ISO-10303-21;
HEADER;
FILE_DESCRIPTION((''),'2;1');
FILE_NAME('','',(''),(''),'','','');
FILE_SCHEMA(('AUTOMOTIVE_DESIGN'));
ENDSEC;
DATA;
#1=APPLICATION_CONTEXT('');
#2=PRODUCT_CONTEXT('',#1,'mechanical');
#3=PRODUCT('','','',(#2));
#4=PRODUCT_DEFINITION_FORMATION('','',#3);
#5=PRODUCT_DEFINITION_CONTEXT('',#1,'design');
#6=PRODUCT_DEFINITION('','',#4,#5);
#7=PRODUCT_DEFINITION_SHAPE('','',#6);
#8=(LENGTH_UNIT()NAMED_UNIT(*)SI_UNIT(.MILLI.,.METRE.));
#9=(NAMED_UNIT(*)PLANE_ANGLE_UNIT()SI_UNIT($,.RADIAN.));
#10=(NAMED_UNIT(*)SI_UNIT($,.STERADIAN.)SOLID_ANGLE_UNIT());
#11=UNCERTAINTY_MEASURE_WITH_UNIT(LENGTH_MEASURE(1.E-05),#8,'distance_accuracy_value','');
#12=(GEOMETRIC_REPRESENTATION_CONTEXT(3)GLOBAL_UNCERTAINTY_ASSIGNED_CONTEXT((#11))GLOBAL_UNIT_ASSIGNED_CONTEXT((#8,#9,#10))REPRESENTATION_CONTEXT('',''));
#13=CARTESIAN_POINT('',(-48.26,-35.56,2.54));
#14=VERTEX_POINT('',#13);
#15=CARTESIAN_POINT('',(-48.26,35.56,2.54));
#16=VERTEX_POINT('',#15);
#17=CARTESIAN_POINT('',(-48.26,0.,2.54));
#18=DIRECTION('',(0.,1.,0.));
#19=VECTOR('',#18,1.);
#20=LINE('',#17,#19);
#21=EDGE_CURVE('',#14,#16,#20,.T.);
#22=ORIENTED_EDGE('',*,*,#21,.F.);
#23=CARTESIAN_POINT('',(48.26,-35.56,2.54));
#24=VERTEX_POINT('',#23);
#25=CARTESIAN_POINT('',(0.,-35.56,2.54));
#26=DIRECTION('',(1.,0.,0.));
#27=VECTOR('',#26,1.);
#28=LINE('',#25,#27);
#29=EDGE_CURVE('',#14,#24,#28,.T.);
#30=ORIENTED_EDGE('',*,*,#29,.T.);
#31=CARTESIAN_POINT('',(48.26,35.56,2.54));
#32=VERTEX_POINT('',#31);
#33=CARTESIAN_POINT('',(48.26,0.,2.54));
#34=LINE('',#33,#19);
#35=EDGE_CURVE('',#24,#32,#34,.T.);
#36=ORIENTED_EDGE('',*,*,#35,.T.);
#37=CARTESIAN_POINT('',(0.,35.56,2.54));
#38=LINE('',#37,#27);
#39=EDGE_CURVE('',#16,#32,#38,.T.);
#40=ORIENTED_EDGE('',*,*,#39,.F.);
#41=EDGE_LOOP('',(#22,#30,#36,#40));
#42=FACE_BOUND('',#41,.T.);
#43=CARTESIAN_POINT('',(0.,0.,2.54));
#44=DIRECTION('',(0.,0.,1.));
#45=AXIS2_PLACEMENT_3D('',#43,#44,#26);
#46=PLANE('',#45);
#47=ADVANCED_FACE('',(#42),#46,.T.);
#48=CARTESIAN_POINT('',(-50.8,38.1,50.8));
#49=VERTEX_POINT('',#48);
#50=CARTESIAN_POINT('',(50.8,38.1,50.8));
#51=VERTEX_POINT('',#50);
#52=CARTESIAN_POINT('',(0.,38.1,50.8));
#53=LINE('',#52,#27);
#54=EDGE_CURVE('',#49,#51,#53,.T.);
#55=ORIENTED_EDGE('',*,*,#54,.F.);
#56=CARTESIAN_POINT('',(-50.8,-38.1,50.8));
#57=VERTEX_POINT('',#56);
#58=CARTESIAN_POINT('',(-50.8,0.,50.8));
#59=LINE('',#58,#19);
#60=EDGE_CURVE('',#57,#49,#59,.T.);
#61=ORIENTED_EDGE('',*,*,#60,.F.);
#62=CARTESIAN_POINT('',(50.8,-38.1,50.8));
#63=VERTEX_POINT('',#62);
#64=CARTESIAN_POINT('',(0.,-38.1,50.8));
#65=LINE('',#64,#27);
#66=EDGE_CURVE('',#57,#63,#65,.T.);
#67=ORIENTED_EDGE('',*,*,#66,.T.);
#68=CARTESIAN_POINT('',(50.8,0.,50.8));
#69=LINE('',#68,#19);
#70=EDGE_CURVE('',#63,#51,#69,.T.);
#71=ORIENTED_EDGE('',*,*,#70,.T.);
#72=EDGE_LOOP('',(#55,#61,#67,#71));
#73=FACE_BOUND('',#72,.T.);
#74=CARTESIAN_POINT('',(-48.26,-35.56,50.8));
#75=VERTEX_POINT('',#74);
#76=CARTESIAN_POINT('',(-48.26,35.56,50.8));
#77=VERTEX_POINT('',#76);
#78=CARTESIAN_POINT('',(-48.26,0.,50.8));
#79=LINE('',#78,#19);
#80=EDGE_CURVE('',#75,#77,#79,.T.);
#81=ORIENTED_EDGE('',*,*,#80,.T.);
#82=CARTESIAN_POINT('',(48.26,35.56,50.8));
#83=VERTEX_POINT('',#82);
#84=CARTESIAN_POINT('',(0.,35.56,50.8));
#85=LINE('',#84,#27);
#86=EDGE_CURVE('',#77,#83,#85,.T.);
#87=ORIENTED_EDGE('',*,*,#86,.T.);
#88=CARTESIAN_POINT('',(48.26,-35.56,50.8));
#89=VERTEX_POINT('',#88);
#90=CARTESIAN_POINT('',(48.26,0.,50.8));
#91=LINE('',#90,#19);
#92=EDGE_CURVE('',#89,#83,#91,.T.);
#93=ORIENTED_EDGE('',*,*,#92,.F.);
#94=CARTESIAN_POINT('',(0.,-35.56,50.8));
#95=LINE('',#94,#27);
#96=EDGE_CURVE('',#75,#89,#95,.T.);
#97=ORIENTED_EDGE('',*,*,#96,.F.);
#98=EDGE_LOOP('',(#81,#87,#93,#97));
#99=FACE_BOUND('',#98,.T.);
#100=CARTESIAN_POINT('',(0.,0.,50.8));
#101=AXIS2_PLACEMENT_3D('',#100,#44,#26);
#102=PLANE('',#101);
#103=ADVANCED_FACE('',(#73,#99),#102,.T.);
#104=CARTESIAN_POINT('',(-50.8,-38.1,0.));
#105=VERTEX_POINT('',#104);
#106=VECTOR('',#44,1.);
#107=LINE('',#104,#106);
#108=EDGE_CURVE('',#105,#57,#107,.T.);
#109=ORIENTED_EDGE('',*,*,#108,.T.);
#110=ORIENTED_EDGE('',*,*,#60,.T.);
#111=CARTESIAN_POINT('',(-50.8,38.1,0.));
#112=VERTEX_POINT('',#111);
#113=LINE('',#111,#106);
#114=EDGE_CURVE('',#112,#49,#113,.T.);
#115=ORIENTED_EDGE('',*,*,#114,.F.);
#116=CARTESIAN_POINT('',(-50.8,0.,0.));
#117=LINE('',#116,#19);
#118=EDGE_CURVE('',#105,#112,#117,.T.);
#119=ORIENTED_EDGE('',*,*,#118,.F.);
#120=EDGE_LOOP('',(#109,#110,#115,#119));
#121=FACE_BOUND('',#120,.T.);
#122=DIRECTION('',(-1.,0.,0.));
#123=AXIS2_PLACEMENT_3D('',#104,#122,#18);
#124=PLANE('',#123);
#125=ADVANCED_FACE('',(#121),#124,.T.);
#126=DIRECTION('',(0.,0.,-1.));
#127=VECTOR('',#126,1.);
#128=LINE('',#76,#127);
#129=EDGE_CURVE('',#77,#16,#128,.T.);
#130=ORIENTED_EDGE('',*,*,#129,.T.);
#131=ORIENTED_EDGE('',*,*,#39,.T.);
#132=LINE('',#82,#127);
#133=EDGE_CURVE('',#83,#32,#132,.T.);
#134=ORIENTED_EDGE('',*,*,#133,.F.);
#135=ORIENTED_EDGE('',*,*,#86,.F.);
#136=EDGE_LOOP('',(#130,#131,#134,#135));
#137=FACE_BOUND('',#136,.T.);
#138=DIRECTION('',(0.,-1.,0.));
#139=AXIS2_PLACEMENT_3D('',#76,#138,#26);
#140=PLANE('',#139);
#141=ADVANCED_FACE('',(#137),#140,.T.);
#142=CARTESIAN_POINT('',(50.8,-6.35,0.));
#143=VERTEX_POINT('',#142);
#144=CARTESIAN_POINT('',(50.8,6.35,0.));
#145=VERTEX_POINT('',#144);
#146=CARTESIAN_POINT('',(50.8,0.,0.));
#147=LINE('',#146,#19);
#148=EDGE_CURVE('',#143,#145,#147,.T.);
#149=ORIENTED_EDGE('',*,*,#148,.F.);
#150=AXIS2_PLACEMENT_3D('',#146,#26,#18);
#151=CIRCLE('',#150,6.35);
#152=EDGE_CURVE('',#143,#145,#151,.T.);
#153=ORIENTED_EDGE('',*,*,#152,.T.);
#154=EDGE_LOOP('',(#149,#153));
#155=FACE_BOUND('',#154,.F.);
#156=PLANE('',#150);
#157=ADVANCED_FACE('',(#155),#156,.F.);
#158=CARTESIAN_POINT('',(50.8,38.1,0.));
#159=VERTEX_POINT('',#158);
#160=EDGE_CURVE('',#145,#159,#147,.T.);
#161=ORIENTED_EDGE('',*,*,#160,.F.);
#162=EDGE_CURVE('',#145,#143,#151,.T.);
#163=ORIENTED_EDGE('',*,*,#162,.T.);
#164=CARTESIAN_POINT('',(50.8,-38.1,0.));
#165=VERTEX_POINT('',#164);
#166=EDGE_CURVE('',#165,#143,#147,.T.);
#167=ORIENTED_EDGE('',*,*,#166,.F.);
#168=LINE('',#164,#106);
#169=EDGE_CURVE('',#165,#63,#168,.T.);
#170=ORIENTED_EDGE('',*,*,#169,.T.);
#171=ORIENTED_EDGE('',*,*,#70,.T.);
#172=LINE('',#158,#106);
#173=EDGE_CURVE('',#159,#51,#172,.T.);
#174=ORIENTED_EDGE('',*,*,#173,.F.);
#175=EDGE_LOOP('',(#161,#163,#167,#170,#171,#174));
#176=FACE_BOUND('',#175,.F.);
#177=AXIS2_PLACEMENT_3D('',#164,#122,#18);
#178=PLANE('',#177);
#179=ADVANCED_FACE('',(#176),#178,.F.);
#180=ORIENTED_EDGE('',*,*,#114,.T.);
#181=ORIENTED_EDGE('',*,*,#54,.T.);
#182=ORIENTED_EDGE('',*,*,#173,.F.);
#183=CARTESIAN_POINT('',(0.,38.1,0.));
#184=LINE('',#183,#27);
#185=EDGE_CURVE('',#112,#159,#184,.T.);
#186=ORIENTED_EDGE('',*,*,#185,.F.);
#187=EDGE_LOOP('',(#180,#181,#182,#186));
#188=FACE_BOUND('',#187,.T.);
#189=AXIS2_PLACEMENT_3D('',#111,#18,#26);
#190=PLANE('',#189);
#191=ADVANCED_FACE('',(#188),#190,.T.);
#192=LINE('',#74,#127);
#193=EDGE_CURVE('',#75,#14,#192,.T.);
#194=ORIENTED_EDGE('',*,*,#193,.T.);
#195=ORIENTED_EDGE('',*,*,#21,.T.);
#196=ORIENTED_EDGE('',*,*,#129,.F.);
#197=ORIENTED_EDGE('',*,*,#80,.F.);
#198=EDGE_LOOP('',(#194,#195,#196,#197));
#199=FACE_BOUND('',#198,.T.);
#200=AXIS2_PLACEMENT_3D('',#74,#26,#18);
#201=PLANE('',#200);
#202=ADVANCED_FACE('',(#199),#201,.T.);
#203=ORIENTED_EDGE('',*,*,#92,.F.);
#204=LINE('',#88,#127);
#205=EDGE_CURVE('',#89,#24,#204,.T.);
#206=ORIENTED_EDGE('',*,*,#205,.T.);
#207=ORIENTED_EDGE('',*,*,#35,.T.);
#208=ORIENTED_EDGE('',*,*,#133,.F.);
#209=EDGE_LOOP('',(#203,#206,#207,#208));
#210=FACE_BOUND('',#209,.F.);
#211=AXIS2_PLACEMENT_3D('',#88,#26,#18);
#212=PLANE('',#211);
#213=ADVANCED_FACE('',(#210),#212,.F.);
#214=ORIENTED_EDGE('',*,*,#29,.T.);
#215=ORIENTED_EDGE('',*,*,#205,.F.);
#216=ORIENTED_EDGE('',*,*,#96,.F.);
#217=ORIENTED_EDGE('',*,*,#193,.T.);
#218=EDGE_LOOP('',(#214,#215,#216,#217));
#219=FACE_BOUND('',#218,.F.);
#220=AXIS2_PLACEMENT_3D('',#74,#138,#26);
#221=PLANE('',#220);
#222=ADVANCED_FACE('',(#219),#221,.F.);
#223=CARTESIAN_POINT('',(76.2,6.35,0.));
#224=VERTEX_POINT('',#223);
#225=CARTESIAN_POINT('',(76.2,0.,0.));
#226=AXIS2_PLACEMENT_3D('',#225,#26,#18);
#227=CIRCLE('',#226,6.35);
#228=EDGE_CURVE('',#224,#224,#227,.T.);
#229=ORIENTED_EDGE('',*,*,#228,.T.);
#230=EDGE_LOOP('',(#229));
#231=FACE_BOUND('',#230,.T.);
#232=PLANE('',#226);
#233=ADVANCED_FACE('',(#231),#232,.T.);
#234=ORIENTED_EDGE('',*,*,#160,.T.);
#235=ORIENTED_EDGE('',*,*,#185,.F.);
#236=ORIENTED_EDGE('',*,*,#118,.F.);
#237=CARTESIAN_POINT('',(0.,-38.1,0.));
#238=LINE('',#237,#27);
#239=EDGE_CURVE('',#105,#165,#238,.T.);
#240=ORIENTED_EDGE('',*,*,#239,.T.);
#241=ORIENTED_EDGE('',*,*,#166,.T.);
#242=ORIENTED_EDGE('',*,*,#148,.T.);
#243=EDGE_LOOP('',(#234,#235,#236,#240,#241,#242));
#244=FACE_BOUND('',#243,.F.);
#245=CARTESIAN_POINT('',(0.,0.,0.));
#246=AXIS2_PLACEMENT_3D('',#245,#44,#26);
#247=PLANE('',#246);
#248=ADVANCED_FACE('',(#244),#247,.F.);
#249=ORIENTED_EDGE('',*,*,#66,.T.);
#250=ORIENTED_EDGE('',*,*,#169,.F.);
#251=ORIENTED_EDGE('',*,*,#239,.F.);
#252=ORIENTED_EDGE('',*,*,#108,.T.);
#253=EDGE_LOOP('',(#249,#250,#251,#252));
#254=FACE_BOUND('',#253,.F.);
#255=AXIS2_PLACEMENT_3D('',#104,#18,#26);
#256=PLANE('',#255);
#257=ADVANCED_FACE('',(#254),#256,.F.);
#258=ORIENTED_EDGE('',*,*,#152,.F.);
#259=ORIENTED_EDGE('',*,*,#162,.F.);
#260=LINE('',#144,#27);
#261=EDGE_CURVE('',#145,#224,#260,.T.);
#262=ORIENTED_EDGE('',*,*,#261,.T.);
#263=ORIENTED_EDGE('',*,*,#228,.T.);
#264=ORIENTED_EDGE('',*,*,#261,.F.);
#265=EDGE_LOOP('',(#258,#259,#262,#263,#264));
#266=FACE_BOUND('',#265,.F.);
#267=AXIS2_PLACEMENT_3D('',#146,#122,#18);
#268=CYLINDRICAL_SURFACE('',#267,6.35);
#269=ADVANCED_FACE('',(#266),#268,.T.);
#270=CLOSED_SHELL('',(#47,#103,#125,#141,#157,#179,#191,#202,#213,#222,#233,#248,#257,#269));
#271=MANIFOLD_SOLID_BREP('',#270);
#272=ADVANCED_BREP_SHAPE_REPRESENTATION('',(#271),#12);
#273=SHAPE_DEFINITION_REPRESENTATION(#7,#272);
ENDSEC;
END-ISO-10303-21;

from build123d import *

# Parameters (mm, degrees)
F0_W     = 101.6
F0_H     = 76.2
F1_DEPTH = 50.8
F2_W     = 96.52
F2_H     = 71.12
F3_DEPTH = 48.26
F4_R     = 6.35
F5_DEPTH = 25.4


with BuildPart() as f1:
    # F0 (on Top) → F1 (new body)
    with BuildSketch(Plane.XY):
        Rectangle(F0_W, F0_H)
    extrude(amount=F1_DEPTH)

    # F2 (on face) → F3 (cut)
    with BuildSketch(Plane.XY.offset(50.8)):
        Rectangle(F2_W, F2_H)
    extrude(amount=-F3_DEPTH, mode=Mode.SUBTRACT)

    # F4 (on face) → F5 (join)
    with BuildSketch(Plane.YZ.offset(50.8)):
        Circle(F4_R)
    extrude(amount=F5_DEPTH)


solid = f1.part
